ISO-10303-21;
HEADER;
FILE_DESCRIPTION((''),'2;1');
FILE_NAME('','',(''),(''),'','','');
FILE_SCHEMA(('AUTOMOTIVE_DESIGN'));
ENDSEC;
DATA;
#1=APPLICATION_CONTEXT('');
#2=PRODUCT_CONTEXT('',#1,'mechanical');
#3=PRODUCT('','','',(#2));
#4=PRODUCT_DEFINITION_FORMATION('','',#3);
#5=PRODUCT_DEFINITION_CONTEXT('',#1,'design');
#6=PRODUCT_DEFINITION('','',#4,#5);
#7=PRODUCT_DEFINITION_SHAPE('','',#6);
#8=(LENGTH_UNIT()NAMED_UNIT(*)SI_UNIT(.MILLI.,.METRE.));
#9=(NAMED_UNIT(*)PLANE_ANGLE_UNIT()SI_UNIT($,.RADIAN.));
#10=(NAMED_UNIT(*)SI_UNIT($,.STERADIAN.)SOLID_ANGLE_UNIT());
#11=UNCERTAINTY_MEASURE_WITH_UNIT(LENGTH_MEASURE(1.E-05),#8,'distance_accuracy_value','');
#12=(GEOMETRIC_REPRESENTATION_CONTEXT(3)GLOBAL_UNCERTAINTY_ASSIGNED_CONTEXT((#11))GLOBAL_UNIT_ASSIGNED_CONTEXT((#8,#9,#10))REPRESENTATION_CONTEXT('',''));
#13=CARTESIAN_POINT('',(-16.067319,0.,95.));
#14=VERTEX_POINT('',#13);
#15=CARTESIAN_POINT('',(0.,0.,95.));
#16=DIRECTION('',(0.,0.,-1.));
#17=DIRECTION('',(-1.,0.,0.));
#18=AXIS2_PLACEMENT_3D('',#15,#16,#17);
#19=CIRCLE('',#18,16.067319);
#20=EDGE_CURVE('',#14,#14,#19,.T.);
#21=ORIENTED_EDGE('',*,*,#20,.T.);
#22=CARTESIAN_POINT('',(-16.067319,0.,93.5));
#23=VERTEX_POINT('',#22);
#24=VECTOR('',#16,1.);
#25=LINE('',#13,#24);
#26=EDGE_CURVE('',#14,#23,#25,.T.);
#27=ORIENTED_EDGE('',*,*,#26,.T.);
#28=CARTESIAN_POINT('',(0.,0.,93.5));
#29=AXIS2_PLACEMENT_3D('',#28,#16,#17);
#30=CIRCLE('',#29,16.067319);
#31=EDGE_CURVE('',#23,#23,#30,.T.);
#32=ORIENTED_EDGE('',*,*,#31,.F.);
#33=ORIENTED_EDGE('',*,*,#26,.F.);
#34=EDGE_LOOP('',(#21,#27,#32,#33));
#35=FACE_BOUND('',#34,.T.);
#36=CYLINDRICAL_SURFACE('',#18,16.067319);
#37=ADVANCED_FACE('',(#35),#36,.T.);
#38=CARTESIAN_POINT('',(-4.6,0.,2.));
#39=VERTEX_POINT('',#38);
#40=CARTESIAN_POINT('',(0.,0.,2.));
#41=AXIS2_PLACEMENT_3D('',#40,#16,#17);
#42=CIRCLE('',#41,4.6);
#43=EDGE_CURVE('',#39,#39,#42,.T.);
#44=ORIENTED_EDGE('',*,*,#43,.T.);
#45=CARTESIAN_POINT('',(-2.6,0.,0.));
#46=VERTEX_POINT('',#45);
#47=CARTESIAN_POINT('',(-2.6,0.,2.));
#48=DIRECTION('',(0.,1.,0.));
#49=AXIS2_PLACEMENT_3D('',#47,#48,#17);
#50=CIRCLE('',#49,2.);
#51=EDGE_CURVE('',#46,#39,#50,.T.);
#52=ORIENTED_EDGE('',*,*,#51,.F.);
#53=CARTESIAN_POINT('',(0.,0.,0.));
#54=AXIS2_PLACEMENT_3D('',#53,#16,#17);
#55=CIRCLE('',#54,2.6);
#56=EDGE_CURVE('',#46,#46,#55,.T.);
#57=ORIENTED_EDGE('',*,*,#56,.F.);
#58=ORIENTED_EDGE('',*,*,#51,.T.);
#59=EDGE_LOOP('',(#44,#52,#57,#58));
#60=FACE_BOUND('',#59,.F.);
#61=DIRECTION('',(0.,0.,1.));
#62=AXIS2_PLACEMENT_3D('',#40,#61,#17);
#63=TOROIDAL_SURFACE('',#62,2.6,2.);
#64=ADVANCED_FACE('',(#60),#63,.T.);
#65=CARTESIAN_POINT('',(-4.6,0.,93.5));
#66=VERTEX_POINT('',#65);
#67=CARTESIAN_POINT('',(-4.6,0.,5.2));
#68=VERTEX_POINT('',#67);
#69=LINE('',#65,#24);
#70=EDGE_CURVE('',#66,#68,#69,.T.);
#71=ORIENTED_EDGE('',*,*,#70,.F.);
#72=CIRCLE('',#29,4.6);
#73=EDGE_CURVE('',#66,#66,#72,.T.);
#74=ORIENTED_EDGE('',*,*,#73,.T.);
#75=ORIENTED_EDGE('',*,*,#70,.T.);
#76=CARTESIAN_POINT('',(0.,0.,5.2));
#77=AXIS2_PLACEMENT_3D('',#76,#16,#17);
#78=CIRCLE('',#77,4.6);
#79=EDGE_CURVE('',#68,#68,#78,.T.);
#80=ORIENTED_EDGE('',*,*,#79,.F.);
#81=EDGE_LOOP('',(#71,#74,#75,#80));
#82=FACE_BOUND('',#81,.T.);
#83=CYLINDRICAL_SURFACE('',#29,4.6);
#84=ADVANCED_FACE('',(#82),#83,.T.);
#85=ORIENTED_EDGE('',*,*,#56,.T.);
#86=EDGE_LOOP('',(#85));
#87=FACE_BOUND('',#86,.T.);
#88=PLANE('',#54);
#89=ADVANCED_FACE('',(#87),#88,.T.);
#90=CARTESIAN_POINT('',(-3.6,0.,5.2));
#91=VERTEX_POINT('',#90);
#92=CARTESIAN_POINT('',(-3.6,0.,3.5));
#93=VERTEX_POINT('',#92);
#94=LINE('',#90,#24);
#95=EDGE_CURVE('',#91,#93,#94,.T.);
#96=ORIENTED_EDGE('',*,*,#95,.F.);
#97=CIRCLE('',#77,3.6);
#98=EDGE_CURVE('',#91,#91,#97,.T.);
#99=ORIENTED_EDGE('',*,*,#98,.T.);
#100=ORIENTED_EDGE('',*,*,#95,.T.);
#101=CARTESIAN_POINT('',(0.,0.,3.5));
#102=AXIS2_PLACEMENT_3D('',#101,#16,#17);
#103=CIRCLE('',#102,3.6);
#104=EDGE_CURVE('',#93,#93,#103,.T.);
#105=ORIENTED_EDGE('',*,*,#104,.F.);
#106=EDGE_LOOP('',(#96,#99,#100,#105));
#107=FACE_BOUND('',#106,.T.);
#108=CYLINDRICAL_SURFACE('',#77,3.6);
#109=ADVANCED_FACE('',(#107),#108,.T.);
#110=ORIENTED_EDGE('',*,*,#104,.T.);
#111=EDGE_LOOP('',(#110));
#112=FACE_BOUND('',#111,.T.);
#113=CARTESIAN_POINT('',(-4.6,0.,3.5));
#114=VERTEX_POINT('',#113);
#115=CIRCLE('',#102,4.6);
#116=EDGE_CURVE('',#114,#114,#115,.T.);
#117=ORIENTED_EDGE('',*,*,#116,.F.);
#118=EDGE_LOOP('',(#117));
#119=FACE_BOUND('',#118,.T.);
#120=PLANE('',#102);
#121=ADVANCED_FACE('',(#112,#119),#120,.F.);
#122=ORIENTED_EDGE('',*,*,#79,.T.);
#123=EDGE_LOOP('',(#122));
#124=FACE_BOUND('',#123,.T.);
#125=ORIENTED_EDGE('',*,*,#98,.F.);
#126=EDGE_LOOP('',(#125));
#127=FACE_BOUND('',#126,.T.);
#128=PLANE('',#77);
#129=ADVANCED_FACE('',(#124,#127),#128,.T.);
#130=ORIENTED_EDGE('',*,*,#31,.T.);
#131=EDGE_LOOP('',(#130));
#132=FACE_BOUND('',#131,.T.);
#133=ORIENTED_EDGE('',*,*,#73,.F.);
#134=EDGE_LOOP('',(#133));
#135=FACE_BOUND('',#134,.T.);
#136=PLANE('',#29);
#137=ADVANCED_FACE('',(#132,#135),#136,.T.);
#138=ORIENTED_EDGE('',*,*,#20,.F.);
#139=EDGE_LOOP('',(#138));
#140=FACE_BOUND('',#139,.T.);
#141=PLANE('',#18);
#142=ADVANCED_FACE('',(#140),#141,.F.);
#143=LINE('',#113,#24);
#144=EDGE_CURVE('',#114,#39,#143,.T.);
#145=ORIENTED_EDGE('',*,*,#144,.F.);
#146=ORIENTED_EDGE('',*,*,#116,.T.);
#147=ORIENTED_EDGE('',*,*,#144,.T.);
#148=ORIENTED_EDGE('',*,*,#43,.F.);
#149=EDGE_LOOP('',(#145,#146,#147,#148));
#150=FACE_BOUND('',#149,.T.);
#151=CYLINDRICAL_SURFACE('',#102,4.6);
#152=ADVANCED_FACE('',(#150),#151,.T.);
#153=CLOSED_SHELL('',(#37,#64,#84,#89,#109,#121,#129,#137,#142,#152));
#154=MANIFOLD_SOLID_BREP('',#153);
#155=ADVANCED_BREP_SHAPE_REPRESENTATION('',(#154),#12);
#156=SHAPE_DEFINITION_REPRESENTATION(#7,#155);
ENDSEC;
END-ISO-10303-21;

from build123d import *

# Parameters (mm, degrees)
F2_R = 2


with BuildPart() as f1:
    # F0 (on Front) → F1 (revolve)
    with BuildSketch(Plane.XZ):
        Polygon((-4.6, 0), (0, 0), (0, 95), (-16.067319, 95), (-16.067319, 93.5), (-4.6, 93.5), (-4.6, 5.2), (-3.6, 5.2), (-3.6, 3.5), (-4.6, 3.5), align=None)
    revolve(axis=Axis((0, 0, 47.5), (0, 0, -1)))

    # F2
    f2_edges = [f1.edges().sort_by_distance(p)[0] for p in [
        (4.6, 0, 0),
    ]]
    fillet(f2_edges, radius=F2_R)


solid = f1.part
